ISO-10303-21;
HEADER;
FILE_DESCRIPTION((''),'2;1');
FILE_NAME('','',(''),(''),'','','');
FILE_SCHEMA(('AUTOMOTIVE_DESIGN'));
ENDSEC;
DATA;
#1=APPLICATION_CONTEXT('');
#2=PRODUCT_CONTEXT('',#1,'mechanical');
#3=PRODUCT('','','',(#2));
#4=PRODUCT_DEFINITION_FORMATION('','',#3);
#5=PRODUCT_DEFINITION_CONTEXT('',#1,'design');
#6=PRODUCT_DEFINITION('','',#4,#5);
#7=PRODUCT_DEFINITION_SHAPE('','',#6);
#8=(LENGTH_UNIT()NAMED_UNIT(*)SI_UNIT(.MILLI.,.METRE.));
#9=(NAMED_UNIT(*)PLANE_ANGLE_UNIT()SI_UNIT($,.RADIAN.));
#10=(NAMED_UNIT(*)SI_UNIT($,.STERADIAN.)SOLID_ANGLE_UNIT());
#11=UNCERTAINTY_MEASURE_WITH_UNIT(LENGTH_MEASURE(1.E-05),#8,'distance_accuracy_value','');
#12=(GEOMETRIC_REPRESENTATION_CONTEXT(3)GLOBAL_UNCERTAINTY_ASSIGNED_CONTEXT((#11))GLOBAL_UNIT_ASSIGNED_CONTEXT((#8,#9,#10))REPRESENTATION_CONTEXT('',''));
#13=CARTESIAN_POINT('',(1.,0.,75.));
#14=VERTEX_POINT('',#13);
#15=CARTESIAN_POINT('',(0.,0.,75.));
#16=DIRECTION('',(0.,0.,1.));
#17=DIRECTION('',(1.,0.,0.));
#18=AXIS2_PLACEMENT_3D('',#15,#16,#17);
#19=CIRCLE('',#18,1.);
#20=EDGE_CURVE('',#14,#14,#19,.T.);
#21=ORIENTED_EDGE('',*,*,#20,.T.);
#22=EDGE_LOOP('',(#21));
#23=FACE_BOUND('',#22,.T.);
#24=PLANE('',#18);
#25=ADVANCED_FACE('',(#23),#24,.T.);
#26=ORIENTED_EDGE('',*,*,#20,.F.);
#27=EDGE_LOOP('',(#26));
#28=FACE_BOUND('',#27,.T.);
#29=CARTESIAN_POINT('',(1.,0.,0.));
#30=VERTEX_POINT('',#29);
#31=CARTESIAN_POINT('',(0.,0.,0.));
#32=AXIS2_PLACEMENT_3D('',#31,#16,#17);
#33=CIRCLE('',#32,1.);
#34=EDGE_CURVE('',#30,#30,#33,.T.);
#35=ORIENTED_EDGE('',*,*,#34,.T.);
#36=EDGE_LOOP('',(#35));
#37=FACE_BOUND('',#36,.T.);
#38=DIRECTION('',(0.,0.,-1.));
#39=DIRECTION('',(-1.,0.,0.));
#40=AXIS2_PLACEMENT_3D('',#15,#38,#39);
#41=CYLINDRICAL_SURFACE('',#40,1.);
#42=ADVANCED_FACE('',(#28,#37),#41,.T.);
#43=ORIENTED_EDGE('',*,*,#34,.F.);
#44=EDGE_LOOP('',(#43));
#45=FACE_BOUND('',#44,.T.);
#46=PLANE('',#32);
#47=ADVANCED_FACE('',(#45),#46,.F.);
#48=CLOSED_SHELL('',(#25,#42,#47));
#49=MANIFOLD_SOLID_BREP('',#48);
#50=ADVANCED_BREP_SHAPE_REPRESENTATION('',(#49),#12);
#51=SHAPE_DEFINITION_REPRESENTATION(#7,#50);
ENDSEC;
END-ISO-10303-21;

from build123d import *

# Parameters (mm, degrees)
CROQUIS1_R              = 1
SALIENTE_EXTRUIR1_DEPTH = 75


with BuildPart() as part:
    # Croquis1 → Saliente-Extruir1 (new body)
    with BuildSketch(Plane.XY):
        Circle(CROQUIS1_R)
    extrude(amount=SALIENTE_EXTRUIR1_DEPTH)


solid = part.part
